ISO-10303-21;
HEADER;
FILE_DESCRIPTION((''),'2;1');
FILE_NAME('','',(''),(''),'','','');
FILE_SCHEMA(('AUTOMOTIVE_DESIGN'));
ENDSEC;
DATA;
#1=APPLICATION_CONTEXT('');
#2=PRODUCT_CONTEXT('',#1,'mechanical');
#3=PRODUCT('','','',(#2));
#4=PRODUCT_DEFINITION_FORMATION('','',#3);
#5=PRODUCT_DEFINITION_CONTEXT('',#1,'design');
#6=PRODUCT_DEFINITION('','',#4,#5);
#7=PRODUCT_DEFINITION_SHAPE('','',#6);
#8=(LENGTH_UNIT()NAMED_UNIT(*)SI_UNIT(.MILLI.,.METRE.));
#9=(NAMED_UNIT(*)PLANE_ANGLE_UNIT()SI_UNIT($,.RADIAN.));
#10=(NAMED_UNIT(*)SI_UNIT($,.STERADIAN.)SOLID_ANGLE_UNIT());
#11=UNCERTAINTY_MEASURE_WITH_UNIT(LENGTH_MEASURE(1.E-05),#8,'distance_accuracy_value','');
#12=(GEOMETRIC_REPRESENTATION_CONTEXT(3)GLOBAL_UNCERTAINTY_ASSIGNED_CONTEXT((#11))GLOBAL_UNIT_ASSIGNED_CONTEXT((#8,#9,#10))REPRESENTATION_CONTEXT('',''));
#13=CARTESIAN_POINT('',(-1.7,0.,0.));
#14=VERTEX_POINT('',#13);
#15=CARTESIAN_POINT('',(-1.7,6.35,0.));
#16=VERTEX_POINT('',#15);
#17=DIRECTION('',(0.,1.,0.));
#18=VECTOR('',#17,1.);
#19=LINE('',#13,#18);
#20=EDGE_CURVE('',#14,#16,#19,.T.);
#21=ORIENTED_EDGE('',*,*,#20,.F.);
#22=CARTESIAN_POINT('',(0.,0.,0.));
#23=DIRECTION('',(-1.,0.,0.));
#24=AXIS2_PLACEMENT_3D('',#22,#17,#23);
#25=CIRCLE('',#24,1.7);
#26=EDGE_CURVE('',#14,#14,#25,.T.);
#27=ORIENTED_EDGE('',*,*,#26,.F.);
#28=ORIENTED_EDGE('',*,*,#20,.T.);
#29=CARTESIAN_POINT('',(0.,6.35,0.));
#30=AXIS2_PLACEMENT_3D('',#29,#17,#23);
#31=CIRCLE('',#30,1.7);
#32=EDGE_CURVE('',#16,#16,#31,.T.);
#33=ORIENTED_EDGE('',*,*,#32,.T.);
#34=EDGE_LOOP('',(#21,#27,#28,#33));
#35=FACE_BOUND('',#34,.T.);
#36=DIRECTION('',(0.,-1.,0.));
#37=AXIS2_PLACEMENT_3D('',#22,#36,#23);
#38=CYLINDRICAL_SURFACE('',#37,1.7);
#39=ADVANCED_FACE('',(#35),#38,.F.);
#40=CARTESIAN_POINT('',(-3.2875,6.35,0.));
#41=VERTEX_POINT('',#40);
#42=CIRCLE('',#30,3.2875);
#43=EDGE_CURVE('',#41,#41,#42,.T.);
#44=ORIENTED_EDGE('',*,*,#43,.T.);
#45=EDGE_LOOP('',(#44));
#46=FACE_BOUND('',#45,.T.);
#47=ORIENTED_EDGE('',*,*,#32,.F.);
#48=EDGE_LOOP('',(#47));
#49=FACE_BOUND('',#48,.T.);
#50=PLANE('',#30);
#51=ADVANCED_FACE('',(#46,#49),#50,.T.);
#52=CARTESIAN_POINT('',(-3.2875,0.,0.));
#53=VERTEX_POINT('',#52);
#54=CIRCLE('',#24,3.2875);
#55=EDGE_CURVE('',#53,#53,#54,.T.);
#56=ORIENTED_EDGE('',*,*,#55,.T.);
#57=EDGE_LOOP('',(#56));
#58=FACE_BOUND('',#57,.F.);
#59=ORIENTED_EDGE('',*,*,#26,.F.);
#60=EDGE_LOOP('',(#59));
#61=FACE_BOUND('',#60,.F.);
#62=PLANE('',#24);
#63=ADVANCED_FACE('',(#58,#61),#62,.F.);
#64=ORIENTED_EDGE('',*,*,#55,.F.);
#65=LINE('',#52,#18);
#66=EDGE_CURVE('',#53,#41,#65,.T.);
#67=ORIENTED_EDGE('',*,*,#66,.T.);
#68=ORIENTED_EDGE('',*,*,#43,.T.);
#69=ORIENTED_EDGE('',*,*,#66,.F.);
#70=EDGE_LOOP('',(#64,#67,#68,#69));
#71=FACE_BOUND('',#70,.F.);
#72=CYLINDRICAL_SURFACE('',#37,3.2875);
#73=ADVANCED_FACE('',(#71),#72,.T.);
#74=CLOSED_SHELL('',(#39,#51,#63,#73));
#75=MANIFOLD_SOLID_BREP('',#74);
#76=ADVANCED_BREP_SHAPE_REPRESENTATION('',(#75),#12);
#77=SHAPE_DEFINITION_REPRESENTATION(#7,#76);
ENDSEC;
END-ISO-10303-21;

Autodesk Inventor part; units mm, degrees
ref_plane "YZ Plane" through (0, 0, 0) normal (1, 0, 0) x (0, 1, 0)
ref_plane "XZ Plane" through (0, 0, 0) normal (0, 1, 0) x (-1, 0, 0)
ref_plane "XY Plane" through (0, 0, 0) normal (0, 0, 1) x (1, 0, 0)
sketch "Sketch1" plane through (0, 0, 0) normal (0, 1, 0) x (-1, 0, 0)
  circle A0 centre (0, 0) radius 1.7
  circle A1 centre (0, 0) radius 3.2875
  dimension "d0" = 3.4
  dimension "d1" = 1.5875
extrude "Extrusion1" add sketch "Sketch1" along normal blind 6.35
equation "\"d0\" = m3_clearance"
equation "\"m3_heat_set_insert\" = 4"
equation "\"m3_clearance\" = 3.4"
equation "\"m3_heat_set_depth\" = 7"
equation "\"robot_diameter\" = 354"
equation "\"hardboard_thickness\" = 5"
properties part number "1-4_inch_standoff"
